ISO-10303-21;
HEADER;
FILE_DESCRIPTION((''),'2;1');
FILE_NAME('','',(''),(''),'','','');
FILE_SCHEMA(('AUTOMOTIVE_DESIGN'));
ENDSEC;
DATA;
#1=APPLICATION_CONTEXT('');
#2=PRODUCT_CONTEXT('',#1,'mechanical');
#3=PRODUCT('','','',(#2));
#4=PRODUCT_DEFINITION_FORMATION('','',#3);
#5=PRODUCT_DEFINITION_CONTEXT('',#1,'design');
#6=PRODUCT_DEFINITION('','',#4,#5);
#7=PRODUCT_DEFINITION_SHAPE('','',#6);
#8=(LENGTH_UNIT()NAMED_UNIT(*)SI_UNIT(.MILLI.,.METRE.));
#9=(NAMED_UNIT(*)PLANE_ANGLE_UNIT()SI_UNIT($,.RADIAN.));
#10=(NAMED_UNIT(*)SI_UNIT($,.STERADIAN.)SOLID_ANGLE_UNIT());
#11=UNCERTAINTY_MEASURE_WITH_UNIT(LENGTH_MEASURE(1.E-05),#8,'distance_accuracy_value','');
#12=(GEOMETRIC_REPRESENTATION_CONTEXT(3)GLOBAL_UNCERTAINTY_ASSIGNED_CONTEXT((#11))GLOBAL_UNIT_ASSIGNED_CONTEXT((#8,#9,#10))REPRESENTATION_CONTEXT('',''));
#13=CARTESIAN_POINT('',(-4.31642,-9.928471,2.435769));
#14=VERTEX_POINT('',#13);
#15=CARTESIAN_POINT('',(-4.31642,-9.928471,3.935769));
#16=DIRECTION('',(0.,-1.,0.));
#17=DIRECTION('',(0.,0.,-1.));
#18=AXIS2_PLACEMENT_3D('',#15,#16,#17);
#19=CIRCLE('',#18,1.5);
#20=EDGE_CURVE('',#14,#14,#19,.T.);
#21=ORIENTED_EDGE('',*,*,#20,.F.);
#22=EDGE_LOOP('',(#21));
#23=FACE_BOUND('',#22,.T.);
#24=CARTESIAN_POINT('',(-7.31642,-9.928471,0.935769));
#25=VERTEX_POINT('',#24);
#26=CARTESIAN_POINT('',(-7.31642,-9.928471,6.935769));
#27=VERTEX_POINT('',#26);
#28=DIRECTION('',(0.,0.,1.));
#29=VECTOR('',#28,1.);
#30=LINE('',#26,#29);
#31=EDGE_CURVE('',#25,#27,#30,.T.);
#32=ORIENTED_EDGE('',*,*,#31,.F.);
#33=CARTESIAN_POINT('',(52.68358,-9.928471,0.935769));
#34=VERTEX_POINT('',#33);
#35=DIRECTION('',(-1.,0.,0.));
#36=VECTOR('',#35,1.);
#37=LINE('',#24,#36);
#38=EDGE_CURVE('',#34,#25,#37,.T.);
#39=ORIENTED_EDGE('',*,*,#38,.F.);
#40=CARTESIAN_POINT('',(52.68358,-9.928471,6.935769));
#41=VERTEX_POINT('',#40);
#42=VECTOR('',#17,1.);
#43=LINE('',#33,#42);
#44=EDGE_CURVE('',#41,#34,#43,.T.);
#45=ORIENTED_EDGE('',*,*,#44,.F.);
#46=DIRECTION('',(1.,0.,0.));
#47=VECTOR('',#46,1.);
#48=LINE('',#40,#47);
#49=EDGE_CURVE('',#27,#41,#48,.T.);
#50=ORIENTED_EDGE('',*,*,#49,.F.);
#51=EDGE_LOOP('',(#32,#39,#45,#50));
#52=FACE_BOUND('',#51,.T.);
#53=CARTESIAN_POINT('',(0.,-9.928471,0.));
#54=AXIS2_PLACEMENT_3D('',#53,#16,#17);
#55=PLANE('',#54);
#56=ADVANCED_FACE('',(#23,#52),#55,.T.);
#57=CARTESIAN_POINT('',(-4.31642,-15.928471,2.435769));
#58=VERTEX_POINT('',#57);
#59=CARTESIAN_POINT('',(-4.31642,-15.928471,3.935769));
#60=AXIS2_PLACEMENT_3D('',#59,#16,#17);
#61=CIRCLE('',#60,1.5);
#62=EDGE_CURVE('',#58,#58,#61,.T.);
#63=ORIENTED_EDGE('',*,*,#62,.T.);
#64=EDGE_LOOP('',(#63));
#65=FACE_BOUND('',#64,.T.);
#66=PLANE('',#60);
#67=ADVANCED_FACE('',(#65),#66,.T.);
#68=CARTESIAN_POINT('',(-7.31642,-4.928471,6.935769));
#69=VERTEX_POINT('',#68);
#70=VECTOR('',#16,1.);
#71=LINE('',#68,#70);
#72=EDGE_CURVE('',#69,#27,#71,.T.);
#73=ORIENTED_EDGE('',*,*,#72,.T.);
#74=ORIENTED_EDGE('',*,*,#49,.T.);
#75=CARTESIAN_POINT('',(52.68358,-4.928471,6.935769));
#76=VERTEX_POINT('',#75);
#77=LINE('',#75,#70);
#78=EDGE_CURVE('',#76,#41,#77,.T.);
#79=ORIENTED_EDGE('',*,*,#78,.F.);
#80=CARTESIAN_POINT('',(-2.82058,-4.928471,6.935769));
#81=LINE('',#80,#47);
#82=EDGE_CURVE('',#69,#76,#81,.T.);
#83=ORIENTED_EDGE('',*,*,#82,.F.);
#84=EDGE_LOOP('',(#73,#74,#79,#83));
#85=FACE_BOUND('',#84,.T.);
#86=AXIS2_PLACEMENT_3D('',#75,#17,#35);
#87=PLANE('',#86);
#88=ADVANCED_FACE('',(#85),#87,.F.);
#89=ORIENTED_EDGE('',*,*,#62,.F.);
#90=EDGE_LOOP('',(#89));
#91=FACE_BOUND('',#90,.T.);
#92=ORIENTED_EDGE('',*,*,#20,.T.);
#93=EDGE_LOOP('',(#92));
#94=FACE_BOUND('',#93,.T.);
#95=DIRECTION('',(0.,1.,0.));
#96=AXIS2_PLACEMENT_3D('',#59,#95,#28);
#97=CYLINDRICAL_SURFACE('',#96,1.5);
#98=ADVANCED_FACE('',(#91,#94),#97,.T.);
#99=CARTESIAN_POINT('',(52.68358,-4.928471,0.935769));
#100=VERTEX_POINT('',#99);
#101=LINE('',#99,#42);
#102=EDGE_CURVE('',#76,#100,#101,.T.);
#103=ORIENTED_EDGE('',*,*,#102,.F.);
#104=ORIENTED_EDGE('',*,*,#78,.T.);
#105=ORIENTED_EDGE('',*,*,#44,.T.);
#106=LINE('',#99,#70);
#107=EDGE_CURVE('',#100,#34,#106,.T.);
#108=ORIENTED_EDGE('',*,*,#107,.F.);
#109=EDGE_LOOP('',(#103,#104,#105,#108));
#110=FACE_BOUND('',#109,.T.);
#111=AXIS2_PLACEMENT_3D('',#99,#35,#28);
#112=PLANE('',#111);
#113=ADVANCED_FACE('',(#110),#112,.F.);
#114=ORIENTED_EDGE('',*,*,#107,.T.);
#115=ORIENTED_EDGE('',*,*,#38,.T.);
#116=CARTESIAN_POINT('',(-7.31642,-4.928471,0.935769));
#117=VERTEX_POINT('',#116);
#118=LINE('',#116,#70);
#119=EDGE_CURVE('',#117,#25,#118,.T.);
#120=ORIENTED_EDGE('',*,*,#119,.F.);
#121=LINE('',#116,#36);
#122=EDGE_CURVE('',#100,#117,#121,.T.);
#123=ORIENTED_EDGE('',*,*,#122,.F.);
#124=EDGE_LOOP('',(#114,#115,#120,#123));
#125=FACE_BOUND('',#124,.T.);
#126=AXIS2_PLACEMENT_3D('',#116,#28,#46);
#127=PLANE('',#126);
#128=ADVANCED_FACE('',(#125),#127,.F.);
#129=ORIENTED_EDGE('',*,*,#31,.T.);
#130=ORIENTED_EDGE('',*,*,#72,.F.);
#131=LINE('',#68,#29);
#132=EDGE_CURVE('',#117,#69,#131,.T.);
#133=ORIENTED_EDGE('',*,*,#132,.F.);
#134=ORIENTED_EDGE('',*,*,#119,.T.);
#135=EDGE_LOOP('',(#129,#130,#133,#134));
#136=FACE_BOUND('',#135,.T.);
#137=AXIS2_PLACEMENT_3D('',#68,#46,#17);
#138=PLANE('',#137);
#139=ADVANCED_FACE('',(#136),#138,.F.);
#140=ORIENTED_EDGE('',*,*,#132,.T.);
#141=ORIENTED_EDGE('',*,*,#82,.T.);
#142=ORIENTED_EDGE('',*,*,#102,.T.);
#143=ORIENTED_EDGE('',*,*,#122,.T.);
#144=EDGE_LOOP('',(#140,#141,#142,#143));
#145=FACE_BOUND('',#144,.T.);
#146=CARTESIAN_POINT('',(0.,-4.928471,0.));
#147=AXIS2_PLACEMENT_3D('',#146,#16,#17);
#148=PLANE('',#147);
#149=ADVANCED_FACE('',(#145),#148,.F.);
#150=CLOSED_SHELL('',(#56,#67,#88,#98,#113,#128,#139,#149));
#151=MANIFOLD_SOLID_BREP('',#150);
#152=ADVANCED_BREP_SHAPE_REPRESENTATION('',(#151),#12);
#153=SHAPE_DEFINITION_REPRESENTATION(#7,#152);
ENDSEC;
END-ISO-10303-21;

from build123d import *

# Parameters (mm, degrees)
BOSS_EXTRUDE1_DEPTH = 5
SKETCH2_R           = 1.5
BOSS_EXTRUDE2_DEPTH = 6


with BuildPart() as part:
    # Sketch1 → Boss-Extrude1 (new body)
    with BuildSketch(Plane(origin=(0, -9.928470523, 0), x_dir=(1, 0, 0), z_dir=(0, 1, 0))):
        Polygon((52.683579598, -6.935769114), (-2.820579734, -6.935769114), (-7.316420402, -6.935769114), (-7.316420402, -0.935769114), (52.683579598, -0.935769114), align=None)
    extrude(amount=BOSS_EXTRUDE1_DEPTH)

    # Sketch2 → Boss-Extrude2 (add)
    with BuildSketch(Plane.XZ.offset(9.928470523)):
        with Locations((-4.316420402, 3.935769114)):
            Circle(SKETCH2_R)
    extrude(amount=BOSS_EXTRUDE2_DEPTH)


solid = part.part
